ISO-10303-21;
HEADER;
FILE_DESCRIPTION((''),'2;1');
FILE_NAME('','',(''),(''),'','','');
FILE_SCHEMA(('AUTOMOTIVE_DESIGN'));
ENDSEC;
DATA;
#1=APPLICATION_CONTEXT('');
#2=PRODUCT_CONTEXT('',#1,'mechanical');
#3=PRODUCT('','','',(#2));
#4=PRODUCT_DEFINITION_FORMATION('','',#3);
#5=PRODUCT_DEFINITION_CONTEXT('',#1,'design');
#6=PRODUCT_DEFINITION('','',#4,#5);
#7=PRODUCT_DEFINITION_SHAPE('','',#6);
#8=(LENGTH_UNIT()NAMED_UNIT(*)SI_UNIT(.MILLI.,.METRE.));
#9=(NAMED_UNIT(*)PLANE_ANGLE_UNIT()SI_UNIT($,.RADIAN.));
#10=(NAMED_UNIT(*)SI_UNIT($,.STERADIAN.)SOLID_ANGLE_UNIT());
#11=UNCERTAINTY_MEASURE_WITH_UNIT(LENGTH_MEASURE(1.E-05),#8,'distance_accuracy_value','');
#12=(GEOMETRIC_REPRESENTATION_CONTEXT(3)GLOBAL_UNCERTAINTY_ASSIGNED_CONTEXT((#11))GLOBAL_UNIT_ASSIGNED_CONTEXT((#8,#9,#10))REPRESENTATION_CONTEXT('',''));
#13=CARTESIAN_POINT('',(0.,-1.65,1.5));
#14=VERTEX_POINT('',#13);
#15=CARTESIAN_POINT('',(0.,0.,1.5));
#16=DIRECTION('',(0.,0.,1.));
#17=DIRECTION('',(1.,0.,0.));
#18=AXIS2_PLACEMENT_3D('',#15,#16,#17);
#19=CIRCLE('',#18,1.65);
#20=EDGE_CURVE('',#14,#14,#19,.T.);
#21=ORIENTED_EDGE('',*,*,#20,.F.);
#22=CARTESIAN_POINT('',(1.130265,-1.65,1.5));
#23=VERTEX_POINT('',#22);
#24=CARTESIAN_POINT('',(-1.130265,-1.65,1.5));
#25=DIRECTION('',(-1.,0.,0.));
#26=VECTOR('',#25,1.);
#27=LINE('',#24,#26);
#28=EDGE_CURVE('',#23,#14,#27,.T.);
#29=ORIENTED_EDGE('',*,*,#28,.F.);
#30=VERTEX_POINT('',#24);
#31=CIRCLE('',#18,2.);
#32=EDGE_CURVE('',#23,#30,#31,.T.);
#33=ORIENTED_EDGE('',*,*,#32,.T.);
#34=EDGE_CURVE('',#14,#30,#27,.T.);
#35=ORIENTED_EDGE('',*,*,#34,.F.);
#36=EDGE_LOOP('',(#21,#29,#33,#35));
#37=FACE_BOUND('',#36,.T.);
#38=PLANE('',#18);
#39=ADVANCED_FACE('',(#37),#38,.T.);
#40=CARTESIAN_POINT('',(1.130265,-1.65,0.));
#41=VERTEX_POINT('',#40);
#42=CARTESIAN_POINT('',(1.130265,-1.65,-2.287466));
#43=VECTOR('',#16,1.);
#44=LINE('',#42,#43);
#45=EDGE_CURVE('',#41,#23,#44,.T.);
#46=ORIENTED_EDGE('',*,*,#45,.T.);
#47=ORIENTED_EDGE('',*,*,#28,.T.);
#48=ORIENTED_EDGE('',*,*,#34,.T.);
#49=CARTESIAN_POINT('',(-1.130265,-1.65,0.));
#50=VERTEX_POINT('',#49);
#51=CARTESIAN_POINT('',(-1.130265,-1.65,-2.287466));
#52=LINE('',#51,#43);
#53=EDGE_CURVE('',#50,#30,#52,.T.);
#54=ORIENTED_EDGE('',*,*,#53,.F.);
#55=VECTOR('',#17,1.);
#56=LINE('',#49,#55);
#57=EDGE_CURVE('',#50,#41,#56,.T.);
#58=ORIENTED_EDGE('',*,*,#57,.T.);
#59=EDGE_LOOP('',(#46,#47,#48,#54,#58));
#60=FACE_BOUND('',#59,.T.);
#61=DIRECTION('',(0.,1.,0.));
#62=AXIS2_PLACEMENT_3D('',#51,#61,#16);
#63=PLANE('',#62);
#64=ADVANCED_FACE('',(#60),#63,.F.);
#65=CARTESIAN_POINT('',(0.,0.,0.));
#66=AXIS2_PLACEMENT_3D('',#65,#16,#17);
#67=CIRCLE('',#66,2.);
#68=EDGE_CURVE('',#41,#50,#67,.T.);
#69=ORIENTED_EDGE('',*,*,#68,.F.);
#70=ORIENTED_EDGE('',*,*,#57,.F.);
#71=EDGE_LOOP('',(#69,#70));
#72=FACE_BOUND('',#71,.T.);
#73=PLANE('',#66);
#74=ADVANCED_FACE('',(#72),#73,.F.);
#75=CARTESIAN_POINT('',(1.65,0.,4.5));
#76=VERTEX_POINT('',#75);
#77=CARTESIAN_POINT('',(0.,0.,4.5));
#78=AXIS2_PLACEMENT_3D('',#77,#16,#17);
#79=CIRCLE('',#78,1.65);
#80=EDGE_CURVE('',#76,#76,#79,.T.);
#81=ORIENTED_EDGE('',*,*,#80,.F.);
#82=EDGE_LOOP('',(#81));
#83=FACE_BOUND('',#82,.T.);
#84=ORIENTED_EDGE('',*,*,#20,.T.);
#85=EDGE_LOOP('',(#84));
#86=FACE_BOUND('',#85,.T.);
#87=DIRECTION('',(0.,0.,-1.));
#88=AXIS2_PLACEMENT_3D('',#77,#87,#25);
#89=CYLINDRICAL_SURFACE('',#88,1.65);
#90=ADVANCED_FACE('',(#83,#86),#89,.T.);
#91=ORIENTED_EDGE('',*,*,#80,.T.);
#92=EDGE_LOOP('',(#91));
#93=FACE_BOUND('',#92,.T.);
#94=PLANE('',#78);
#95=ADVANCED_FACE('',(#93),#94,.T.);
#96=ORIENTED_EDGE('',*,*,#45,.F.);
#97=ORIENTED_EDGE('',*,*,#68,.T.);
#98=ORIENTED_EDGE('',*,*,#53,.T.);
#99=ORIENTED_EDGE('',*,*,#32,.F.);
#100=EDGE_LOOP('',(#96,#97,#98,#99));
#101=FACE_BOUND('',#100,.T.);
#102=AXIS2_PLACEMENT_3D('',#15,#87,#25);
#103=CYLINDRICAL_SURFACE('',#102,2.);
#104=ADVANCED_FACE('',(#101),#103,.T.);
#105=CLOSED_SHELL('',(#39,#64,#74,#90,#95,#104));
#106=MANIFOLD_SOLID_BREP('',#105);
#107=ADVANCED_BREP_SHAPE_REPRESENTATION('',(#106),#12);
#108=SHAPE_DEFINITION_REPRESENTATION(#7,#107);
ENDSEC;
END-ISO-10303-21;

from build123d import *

# Parameters (mm, degrees)
SKETCH1_R           = 2
BOSS_EXTRUDE1_DEPTH = 1.5
SKETCH2_R           = 1.65
BOSS_EXTRUDE2_DEPTH = 3
CUT_EXTRUDE1_START  = -1.5
CUT_EXTRUDE1_DEPTH  = 1.5


with BuildPart() as part:
    # Sketch1 → Boss-Extrude1 (new body)
    with BuildSketch(Plane.XY):
        Circle(SKETCH1_R)
    extrude(amount=BOSS_EXTRUDE1_DEPTH)

    # Sketch2 → Boss-Extrude2 (add)
    with BuildSketch(Plane.XY.offset(1.5)):
        Circle(SKETCH2_R)
    extrude(amount=BOSS_EXTRUDE2_DEPTH)

    # Sketch3 → Cut-Extrude1 (cut)
    with BuildSketch(Plane.XY.offset(1.5).offset(CUT_EXTRUDE1_START)):
        with BuildLine():
            Line((-1.130265456, -1.65), (1.130265456, -1.65))
            ThreePointArc((1.130265456, -1.65), (0, -2), (-1.130265456, -1.65))
        make_face()
    extrude(amount=CUT_EXTRUDE1_DEPTH, mode=Mode.SUBTRACT)


solid = part.part
